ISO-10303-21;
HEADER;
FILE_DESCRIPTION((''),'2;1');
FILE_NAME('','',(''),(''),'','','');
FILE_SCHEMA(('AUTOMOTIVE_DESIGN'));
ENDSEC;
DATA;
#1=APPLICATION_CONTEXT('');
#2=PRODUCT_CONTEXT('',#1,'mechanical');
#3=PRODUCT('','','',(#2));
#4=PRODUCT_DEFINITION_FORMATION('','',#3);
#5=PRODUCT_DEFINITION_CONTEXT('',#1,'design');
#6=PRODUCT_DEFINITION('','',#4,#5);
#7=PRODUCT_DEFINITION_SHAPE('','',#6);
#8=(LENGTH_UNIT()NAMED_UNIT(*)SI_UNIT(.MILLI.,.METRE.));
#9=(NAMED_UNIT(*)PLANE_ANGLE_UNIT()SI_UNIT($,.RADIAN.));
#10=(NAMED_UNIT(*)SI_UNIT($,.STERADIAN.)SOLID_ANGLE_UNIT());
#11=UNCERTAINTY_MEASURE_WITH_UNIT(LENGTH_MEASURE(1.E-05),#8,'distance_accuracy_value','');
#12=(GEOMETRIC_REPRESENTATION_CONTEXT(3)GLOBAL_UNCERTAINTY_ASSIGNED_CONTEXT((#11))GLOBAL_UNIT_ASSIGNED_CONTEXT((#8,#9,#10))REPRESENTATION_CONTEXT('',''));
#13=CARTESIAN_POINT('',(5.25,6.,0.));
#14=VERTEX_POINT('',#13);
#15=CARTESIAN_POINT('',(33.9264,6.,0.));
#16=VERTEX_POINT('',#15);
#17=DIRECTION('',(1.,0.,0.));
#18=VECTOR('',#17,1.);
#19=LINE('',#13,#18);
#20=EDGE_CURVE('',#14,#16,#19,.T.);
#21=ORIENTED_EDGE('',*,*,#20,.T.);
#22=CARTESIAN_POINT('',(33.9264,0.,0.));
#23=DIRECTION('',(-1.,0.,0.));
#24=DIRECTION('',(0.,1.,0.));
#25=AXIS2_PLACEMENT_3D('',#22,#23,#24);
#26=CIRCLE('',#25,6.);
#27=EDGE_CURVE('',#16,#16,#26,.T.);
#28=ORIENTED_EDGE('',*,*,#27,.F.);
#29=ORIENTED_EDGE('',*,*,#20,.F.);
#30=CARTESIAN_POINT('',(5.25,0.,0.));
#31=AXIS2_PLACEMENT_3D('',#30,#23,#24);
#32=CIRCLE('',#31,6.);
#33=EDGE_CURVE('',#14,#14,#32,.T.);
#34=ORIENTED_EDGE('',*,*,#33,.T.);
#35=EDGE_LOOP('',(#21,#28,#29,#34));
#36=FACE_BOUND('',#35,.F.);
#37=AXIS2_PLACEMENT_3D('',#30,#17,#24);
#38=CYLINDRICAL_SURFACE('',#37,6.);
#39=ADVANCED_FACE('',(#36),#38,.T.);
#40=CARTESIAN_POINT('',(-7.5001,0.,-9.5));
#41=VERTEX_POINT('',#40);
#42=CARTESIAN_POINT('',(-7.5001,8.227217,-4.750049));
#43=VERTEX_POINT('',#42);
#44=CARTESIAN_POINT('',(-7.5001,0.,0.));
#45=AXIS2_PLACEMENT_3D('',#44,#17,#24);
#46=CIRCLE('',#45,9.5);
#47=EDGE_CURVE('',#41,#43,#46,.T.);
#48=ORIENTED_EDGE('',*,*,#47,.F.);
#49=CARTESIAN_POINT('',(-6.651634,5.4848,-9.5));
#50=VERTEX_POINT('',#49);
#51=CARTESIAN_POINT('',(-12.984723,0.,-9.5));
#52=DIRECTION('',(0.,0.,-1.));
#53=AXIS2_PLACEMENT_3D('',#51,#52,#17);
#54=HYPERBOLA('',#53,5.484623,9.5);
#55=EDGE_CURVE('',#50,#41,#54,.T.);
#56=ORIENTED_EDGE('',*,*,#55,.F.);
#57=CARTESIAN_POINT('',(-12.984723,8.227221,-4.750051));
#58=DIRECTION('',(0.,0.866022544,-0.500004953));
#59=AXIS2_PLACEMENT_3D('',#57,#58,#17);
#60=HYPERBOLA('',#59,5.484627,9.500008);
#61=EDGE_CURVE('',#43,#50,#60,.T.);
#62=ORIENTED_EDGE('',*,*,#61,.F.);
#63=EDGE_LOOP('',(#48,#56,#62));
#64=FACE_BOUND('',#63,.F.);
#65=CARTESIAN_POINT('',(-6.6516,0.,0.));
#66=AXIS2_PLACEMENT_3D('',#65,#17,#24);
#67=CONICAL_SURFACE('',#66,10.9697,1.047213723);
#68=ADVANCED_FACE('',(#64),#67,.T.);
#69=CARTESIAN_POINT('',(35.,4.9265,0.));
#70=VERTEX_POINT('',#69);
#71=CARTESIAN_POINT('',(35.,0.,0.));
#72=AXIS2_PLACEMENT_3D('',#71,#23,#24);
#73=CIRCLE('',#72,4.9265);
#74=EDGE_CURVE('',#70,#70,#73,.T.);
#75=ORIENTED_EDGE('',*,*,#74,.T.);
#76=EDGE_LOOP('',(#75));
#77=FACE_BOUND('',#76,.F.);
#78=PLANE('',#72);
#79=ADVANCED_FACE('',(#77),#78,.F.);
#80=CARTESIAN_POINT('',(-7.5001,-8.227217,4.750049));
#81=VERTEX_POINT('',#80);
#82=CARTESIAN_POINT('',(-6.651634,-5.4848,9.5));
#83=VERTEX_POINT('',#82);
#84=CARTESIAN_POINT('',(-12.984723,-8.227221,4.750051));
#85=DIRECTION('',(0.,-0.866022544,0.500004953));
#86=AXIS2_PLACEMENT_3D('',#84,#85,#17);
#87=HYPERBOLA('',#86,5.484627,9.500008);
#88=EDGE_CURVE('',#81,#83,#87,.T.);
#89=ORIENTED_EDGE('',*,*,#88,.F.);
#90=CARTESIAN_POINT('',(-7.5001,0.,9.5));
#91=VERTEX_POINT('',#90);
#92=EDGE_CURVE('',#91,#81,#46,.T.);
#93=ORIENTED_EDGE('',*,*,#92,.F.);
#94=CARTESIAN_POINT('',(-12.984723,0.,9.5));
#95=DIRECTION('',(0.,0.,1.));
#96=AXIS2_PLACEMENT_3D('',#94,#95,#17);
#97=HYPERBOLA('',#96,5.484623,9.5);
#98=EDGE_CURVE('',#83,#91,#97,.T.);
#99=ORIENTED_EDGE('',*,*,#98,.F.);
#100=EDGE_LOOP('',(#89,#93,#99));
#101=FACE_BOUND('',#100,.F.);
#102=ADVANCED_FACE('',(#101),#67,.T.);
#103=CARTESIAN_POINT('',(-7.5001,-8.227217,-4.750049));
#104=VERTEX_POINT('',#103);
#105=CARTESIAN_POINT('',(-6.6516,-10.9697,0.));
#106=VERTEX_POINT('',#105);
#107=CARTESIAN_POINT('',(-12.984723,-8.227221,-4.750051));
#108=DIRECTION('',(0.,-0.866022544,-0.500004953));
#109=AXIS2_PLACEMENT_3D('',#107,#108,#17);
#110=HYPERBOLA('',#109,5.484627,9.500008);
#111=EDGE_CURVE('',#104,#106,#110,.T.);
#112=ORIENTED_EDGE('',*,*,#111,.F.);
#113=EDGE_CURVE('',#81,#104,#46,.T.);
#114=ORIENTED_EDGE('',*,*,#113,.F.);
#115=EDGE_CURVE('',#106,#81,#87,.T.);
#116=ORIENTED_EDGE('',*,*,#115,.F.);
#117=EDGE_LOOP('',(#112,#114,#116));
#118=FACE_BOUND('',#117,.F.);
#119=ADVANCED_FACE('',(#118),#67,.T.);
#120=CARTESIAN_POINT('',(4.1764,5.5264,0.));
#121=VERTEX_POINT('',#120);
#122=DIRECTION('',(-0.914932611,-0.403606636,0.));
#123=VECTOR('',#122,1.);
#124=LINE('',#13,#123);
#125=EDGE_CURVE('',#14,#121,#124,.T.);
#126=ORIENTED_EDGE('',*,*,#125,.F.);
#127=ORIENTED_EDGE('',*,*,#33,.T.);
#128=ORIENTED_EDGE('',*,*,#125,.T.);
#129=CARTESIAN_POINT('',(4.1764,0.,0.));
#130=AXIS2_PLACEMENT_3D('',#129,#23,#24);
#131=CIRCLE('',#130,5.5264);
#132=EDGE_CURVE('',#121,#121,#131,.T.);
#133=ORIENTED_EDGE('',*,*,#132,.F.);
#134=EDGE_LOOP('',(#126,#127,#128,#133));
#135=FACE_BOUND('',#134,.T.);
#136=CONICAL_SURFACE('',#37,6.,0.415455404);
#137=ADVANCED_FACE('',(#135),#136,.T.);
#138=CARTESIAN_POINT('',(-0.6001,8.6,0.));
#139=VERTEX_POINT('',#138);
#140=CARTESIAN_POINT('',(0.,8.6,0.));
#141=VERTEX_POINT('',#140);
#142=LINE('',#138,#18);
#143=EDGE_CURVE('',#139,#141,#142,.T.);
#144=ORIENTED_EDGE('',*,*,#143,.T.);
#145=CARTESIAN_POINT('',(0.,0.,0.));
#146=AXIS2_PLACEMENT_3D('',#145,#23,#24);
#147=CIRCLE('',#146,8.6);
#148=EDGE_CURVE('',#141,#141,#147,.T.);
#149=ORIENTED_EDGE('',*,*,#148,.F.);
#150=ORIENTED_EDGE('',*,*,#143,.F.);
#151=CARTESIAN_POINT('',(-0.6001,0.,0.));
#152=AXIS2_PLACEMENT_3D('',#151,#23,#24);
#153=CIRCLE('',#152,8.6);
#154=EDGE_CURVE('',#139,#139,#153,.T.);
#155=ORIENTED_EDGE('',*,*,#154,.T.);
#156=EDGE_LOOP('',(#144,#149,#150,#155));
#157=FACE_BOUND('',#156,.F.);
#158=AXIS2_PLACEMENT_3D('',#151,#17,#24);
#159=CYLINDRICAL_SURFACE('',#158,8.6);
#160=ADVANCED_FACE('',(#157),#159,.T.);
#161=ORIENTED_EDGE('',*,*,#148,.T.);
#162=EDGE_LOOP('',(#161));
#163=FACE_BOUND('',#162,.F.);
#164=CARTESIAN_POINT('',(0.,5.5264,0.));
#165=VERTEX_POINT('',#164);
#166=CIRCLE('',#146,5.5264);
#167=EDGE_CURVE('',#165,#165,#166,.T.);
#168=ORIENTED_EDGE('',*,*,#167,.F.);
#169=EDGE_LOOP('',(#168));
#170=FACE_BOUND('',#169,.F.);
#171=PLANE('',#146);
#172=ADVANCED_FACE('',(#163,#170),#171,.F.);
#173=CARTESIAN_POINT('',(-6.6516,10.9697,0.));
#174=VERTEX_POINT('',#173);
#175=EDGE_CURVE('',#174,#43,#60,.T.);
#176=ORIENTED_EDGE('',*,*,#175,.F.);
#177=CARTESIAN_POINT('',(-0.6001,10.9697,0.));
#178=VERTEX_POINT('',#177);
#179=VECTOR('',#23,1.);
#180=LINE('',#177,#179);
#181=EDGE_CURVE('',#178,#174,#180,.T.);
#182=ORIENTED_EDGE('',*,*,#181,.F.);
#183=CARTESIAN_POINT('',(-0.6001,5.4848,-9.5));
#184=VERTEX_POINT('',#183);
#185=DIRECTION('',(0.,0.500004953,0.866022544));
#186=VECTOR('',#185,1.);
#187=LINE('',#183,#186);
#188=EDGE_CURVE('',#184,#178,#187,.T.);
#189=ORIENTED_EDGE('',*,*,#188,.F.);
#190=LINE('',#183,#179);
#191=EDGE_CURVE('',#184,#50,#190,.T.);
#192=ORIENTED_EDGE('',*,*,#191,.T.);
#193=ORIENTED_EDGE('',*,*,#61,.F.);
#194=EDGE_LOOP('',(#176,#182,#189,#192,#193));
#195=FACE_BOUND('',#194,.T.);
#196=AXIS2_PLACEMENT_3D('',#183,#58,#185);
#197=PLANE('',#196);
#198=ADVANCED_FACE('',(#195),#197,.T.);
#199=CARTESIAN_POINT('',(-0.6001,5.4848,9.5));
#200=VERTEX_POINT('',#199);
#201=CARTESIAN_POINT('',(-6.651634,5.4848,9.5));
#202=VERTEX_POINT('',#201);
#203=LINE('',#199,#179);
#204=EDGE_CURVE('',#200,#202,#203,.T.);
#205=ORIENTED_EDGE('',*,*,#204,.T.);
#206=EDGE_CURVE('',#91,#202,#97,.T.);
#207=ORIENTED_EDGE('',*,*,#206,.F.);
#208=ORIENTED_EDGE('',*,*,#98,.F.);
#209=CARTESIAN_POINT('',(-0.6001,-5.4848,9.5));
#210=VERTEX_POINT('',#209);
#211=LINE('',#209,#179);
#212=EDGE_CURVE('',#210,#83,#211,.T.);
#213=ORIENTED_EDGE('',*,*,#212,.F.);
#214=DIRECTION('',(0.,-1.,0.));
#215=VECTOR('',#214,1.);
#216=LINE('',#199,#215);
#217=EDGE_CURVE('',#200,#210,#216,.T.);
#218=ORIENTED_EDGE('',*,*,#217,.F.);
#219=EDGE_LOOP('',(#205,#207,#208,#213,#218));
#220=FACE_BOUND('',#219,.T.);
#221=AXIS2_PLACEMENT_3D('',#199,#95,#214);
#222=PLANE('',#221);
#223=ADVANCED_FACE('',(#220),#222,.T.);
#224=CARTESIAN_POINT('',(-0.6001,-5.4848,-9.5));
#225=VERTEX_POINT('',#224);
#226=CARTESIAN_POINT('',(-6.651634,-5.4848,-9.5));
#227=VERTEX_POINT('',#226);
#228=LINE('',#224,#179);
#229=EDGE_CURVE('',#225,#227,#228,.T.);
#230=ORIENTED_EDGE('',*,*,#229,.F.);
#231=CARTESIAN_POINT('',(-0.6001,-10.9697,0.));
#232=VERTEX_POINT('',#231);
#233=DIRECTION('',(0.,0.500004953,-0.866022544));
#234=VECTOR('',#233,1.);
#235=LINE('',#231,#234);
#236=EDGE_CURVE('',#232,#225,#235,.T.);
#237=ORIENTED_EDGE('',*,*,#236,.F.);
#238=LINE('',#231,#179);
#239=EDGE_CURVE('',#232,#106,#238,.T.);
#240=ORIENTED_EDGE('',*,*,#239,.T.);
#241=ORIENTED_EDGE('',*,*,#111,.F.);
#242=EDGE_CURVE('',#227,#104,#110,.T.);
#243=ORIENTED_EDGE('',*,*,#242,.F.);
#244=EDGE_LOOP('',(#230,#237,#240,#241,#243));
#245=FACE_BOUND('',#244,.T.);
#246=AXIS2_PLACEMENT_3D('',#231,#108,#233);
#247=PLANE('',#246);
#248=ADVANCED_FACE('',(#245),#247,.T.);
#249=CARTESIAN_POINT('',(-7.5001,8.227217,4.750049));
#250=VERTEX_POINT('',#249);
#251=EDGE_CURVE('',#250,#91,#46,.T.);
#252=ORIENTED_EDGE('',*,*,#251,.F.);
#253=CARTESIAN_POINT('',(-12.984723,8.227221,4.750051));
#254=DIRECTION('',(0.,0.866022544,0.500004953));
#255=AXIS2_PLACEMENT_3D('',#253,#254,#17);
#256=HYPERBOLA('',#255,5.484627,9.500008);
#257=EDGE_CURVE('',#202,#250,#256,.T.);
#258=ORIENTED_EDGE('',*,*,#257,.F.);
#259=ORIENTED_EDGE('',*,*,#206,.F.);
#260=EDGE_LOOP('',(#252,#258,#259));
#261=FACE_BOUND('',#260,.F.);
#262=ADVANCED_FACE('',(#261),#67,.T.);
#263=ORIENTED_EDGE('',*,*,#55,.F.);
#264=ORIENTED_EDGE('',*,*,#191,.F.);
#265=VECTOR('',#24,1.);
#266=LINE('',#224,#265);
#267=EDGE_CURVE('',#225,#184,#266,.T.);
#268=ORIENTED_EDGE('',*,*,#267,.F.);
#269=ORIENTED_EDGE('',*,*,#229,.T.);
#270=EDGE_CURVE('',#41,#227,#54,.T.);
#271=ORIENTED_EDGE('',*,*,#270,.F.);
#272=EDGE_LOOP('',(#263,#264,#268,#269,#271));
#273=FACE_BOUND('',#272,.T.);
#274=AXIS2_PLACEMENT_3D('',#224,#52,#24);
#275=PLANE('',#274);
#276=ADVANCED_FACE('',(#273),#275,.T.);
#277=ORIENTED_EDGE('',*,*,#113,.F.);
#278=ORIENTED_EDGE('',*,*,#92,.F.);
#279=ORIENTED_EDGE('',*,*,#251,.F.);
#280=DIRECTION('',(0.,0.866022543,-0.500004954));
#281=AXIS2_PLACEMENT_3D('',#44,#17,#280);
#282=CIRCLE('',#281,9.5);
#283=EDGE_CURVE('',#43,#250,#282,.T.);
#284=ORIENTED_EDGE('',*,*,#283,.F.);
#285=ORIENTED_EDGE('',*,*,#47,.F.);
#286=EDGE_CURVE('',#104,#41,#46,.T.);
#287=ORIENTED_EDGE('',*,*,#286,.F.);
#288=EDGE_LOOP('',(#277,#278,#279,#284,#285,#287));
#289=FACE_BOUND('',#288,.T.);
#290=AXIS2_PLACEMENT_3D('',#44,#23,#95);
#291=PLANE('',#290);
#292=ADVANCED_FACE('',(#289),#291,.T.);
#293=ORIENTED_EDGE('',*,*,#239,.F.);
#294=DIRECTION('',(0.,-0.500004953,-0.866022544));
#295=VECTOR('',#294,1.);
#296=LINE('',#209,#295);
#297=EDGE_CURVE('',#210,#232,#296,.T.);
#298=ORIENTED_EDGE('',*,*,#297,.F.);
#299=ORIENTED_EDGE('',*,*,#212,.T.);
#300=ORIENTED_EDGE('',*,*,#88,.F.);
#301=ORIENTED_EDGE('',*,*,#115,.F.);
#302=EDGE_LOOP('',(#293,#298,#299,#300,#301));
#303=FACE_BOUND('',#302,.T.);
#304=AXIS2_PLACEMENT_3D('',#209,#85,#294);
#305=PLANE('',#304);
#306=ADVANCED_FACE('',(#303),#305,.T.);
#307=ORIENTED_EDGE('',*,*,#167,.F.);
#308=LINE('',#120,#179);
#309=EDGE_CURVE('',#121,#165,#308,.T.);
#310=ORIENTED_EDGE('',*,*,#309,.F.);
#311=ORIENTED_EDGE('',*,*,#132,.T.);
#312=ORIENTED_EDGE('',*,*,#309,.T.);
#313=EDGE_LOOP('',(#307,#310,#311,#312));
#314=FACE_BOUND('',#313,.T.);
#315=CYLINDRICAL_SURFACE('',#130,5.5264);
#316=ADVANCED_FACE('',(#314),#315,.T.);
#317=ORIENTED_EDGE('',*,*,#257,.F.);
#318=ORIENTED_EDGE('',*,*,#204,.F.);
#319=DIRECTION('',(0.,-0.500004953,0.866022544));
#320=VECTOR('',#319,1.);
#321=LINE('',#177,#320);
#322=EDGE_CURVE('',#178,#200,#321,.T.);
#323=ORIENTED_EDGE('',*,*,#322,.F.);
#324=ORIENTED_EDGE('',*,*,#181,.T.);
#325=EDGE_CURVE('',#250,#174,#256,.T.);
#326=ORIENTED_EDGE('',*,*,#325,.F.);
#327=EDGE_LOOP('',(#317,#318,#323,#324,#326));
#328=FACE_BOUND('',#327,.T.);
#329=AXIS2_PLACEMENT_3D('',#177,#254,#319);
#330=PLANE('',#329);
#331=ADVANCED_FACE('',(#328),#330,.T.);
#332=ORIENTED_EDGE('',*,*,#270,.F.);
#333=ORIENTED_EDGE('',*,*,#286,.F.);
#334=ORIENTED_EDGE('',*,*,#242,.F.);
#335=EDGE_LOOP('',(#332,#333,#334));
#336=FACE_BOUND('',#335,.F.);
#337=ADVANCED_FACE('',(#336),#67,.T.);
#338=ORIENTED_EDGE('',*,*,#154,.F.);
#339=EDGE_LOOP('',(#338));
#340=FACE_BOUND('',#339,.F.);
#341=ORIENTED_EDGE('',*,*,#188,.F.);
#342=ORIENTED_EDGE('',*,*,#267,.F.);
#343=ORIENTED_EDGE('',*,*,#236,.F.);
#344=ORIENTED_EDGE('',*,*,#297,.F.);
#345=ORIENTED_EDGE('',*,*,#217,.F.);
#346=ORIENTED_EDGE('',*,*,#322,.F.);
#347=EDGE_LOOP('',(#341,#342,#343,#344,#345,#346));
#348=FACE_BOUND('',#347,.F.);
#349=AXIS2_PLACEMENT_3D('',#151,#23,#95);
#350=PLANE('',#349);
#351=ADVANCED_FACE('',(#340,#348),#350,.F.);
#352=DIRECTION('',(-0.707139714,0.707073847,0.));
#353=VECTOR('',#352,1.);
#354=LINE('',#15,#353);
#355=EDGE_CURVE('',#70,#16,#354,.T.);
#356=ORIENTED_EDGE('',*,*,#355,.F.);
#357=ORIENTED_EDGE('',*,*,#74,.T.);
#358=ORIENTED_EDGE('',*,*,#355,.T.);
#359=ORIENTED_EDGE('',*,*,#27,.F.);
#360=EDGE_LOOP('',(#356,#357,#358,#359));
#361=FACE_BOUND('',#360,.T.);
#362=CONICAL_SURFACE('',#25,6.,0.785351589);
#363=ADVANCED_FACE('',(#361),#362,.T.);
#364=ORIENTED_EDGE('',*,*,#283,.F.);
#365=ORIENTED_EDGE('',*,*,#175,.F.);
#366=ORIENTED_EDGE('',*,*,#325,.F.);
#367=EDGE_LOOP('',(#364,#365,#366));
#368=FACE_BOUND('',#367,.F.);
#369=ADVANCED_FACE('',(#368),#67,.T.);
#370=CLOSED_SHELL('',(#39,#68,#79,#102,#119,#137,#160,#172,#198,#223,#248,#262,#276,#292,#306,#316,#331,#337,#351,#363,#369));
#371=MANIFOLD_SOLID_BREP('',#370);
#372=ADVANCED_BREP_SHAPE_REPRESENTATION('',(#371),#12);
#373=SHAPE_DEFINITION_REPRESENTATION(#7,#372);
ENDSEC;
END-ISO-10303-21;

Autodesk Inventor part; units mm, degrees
ref_plane "YZ Plane" through (0, 0, 0) normal (1, 0, 0) x (0, 1, 0)
ref_plane "XZ Plane" through (0, 0, 0) normal (0, 1, 0) x (-1, 0, 0)
sketch "Sketch1" plane through (0, 0, 0) normal (0, 0, 1) x (1, 0, 0)
  line L0 (0, 8.6) -> (0, 5.5264)
  line L1 (5.25, 6) -> (35, 6)
  line L2 (35, 6) -> (35, 0)
  line L3 (35, 0) -> (-0.6001, 0)
  line L4 (-7.7201, 0) -> (42.12, 0) projected
  line L5 (-0.6001, 0) -> (-0.6001, 8.6)
  line L6 (-0.6001, 8.6) -> (0, 8.6)
  line L7 (5.25, 6) -> (4.1764, 5.5264)
  line L8 (4.1764, 5.5264) -> (0, 5.5264)
  line L9 (0, -1.72) -> (0, 10.32) projected
  dimension "d0" = 35
  dimension "d1" = 29.75
  dimension "d2" = 12
  dimension "d9" = 0.6001
  dimension "d10" = 17.2
  dimension "d13" = 1.0736
  dimension "d14" = 11.0528
revolve "Body" add sketch "Sketch1" angle 360 about axis through (35, 0, 0) along (-1, 0, 0)
sketch "Sketch2" plane through (-0.6001, 0, 0) normal (-1, 0, 0) x (0, 0, 1)
  line L0 (0, 10.9697) -> (9.5, 5.4848)
  line L1 (9.5, 5.4848) -> (9.5, -5.4848)
  line L2 (9.5, -5.4848) -> (0, -10.9697)
  line L3 (0, -10.9697) -> (-9.5, -5.4848)
  line L4 (-9.5, -5.4848) -> (-9.5, 5.4848)
  line L5 (-9.5, 5.4848) -> (0, 10.9697)
  point P0 (0, 0)
  point P1 (0, 0)
  dimension "d11" = 19
extrude "Head" add sketch "Sketch2" along normal blind 6.9
sketch "Sketch4" plane through (0, 0, 0) normal (0, 0, 1) x (1, 0, 0)
  line L0 (-7.5001, 9.5) -> (-7.5001, 10.9697)
  line L1 (-7.5001, 10.9697) -> (-6.6516, 10.9697)
  line L2 (-6.6516, 10.9697) -> (-7.5001, 9.5)
  line L3 (-8.8801, 0) -> (0.7799, 0) projected
  line L4 (-0.6001, 10.9697) -> (-7.5001, 10.9697) projected
  line L5 (-7.5001, 5.4848) -> (-7.5001, 10.9697) projected
  dimension "d5" = 30
  dimension "d19" = 19
revolve "Chamfer1" cut sketch "Sketch4" angle 360 about axis through (-10, 0, 0) along (1, 0, 0)
thread "Thread" size "M12x1.75" class "6g" standard "ISO Metric profile" length 29.75
chamfer "Chamfer2" distance 1.0735 distance2 1.0736 1 edges at (35, -6, 0) measured on face at (35, -1.5551, -0.8476)
ref_plane "Work Plane1" through (1.525, 0, 0) normal (0, 0, 1) x (1, 0, 0)
equation "\"d11\" = SW"
equation "\"d3\" = KOH - SD"
equation "\"d15\" = GEL"
equation "\"d6\" = -0.5 * SPD + 0.5 * GD"
equation "\"d0\" = NLG"
equation "\"d1\" = GEL"
equation "\"d2\" = GD"
equation "\"d10\" = SD2"
equation "\"d14\" = BDM"
equation "\"d5\" = ANG1"
equation "\"d19\" = SW0"
equation "\"NLG\" = 35"
equation "\"GD\" = NND"
equation "\"BDM\" = 11.05279"
equation "\"KOH\" = 7.5"
equation "\"GEL\" = 29.75"
equation "\"SW\" = 19"
equation "\"SW0\" = 19"
equation "\"SPD\" = NND - 1.2269 * PTC"
equation "\"SD2\" = 17.2"
equation "\"SD\" = 0.6"
equation "\"ANG1\" = 30deg"
equation "\"GAL\" = 0.61345 * PTC"
equation "\"GUL\" = 0.61345 * PTC"
equation "\"RR\" = 0.6"
equation "\"GD1\" = THREADDIA - 1.2269 * PTC"
equation "\"THREADDIA\" = 12"
equation "\"TOA\" = 30deg"
equation "\"PTC\" = 1.75"
equation "\"NND\" = 12"
equation "\"E0\" = 1.155 * SW"
properties part number "DIN 933 - M12  x 35" material "Steel, Mild"
